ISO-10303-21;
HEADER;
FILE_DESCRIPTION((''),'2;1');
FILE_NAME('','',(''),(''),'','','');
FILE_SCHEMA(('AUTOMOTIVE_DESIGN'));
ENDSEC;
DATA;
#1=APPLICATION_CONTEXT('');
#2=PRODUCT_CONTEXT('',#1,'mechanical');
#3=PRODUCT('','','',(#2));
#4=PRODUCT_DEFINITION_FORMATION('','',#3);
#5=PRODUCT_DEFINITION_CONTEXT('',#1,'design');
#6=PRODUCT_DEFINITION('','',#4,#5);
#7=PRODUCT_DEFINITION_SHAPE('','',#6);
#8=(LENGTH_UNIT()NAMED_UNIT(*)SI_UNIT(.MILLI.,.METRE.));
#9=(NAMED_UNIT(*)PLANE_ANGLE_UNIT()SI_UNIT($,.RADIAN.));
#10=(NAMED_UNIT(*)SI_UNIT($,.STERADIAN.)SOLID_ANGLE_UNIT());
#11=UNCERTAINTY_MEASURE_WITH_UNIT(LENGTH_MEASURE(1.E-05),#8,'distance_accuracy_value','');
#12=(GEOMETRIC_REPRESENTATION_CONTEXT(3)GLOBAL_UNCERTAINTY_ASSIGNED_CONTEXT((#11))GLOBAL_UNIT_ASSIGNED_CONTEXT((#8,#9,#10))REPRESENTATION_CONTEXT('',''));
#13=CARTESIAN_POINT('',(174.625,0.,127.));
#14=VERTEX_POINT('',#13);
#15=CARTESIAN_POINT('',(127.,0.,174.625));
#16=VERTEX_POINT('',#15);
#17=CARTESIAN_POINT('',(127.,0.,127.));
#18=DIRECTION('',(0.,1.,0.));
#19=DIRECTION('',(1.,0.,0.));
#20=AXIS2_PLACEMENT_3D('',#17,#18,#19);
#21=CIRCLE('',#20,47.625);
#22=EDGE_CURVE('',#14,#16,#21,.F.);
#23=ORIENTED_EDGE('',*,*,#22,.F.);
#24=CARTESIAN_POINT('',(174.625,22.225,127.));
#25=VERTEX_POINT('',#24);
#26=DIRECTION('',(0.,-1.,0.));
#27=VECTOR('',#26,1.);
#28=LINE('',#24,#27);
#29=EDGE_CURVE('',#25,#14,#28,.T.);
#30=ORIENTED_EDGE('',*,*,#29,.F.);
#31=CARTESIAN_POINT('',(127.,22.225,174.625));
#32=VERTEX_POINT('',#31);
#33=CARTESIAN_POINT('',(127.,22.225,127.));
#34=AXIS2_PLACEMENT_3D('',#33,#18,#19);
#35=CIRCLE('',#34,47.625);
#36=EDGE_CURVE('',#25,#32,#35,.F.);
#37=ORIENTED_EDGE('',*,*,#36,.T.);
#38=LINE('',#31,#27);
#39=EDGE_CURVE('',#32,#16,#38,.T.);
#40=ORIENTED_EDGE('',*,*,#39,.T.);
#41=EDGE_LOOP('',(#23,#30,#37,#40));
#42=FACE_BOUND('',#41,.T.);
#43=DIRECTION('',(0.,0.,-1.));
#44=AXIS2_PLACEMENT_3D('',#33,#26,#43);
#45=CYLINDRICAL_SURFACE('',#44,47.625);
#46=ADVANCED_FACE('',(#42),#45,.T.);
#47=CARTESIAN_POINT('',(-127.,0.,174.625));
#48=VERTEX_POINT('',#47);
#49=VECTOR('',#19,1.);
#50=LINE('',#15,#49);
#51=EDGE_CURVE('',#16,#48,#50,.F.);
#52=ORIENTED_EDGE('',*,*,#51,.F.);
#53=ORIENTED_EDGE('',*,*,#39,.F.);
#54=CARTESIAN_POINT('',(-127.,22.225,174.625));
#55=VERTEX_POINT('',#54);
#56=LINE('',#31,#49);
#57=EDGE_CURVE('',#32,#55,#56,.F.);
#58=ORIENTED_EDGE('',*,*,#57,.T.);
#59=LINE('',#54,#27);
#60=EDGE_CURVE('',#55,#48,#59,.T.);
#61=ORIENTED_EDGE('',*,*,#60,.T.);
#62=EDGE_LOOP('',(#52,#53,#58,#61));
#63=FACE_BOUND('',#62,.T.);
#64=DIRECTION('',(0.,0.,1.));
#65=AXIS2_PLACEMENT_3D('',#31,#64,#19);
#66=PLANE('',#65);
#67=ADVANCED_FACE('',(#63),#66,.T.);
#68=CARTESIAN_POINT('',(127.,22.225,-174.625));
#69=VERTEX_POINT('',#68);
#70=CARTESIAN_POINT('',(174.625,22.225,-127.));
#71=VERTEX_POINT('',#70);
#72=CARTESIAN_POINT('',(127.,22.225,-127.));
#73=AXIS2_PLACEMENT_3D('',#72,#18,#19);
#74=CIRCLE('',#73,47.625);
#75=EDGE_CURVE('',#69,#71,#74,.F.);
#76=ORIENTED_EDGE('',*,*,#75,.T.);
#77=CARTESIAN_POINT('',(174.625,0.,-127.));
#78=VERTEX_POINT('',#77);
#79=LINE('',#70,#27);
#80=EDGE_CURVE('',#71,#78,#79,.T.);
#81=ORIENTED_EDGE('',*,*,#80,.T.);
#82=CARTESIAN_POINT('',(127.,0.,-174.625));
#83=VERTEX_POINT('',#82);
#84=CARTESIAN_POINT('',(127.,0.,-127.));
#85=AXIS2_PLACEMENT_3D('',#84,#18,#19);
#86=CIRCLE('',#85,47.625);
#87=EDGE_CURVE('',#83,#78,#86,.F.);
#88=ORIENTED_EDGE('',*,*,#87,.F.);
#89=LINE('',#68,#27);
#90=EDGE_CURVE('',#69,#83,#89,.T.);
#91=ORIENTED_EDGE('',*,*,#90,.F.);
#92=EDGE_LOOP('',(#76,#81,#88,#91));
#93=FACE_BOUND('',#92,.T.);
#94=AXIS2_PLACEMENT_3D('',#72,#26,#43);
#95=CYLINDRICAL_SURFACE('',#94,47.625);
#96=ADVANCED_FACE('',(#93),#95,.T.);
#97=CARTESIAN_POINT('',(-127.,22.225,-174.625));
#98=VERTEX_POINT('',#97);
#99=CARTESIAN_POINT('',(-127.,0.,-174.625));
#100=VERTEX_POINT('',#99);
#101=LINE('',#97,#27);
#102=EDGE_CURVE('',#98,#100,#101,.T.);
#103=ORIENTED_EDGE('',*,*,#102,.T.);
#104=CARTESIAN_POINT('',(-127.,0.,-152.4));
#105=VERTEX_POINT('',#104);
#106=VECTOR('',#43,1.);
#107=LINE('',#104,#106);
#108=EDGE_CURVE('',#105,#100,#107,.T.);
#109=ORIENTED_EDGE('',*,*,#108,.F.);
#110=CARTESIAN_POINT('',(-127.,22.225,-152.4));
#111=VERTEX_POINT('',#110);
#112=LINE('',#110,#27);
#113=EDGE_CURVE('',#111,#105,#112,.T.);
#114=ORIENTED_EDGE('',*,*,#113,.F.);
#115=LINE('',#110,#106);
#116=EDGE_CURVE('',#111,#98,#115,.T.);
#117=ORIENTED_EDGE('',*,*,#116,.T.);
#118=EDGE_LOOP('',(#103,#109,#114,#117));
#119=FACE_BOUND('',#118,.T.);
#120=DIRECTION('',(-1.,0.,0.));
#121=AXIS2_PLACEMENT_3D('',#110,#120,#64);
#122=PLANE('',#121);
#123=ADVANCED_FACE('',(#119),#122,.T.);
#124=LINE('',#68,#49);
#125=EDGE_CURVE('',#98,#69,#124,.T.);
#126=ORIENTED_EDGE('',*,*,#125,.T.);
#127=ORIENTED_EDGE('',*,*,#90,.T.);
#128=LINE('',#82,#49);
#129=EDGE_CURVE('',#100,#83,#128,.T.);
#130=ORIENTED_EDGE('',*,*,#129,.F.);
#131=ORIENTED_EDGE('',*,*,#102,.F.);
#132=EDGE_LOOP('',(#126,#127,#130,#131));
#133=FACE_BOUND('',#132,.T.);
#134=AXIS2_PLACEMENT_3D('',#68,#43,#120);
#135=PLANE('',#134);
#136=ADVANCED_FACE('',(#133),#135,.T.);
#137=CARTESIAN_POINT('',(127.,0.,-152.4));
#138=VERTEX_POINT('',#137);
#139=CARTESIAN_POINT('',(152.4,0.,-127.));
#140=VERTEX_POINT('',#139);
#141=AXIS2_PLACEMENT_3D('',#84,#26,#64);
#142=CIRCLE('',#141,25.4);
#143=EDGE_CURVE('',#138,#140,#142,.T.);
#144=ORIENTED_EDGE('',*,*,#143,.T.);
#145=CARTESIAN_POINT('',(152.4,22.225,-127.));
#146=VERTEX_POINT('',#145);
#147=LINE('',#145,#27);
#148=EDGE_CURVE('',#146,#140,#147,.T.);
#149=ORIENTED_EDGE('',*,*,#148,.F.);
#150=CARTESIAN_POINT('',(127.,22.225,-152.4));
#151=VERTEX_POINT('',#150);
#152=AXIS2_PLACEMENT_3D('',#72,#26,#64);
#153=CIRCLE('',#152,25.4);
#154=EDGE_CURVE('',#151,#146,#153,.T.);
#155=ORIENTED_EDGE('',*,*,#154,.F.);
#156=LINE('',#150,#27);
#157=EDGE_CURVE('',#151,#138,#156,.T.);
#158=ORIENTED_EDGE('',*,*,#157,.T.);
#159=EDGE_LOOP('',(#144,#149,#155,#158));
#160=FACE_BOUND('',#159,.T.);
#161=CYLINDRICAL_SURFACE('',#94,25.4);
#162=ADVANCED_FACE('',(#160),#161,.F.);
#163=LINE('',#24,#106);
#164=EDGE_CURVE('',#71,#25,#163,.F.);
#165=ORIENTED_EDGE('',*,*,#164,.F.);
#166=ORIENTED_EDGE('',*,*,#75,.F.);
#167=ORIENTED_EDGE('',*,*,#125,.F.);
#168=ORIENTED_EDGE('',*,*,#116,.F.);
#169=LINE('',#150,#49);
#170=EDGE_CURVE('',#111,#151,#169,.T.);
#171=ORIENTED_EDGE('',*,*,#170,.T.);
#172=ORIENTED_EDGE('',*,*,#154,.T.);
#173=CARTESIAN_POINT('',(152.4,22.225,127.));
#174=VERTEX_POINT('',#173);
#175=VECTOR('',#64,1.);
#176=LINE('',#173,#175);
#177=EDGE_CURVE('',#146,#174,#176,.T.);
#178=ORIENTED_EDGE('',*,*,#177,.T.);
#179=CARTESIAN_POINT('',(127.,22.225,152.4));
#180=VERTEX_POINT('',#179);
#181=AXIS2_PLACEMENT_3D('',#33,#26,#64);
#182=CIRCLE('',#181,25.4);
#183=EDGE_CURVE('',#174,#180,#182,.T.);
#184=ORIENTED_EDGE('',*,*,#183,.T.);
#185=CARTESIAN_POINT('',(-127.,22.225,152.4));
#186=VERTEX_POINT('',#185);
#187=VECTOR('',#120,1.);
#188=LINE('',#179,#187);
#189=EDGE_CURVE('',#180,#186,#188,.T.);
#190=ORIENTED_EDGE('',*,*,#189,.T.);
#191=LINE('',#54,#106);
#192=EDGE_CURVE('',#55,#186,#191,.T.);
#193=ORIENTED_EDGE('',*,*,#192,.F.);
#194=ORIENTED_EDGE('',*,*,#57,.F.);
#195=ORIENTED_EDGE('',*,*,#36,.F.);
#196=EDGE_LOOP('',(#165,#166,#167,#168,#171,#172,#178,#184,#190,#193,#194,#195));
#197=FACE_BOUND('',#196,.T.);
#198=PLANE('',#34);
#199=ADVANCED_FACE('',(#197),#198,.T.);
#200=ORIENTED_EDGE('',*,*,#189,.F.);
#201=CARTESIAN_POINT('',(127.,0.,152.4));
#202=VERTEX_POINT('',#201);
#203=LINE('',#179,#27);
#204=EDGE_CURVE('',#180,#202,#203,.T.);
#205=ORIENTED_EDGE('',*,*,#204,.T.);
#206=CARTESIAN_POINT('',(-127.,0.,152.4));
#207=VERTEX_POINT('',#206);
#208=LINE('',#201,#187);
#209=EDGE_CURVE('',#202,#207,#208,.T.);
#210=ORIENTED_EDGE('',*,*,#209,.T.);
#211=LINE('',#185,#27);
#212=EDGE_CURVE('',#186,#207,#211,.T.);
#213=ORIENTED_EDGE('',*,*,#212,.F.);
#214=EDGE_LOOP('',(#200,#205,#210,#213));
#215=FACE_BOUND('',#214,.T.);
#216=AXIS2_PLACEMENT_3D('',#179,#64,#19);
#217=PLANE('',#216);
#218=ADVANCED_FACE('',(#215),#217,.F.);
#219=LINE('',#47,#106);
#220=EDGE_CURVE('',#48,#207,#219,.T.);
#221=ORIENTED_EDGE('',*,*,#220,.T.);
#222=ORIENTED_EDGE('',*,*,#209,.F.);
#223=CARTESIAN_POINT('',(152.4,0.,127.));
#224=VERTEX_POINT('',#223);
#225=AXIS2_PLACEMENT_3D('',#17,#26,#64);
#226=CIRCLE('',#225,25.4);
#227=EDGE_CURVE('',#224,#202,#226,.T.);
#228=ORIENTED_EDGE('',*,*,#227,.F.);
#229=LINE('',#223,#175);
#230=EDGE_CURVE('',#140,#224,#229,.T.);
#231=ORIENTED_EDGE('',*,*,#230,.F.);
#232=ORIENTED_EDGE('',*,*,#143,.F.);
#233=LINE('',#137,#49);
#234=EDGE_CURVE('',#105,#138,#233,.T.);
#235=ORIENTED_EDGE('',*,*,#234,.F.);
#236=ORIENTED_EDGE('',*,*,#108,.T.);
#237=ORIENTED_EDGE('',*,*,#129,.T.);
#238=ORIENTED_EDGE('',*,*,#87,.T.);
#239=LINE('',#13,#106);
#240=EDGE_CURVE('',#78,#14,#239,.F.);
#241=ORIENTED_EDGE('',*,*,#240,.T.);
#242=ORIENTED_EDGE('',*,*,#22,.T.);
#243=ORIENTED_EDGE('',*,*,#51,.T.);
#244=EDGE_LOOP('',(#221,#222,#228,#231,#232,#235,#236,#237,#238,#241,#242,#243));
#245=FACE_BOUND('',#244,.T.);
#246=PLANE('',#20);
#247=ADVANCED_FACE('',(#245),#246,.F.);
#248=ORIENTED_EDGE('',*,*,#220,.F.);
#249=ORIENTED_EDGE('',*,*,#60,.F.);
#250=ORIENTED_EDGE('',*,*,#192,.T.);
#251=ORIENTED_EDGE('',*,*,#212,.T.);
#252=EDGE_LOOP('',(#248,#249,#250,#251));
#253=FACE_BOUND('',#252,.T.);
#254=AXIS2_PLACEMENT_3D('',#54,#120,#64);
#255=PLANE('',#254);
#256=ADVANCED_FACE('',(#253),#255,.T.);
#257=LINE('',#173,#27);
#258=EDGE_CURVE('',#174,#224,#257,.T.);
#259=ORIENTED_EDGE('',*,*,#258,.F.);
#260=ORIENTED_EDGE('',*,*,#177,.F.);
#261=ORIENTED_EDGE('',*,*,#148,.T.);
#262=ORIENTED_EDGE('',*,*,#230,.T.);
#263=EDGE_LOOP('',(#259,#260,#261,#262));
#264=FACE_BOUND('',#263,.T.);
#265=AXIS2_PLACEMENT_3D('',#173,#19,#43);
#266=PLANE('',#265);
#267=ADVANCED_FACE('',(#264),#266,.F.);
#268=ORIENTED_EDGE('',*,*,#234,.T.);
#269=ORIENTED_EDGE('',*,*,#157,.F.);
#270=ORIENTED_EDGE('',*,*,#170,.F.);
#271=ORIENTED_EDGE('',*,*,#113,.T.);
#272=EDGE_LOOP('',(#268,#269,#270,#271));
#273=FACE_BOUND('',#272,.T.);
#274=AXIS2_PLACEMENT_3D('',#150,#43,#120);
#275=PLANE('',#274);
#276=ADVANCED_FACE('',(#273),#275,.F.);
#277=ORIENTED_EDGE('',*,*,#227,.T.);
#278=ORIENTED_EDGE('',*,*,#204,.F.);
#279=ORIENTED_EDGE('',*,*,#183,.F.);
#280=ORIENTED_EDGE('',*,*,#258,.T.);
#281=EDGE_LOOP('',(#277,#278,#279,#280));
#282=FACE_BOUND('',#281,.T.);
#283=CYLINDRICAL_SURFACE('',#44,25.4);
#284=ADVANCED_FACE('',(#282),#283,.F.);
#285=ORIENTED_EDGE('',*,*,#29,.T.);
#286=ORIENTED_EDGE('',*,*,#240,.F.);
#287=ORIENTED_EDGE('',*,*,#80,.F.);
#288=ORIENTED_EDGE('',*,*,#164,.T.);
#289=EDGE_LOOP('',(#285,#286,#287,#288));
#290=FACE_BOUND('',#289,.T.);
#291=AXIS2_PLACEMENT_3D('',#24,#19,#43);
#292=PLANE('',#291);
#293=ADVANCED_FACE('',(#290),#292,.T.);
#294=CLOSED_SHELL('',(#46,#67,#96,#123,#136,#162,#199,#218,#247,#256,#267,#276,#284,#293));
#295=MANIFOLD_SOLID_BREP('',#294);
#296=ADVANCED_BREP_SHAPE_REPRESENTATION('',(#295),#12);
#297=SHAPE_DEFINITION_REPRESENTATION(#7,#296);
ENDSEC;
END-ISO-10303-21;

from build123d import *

# Parameters (mm, degrees)
EXTRUDE_THIN1_DEPTH = 22.225


with BuildPart() as part:
    # Sketch2 → Extrude-Thin1 (new body)
    with BuildSketch(Plane(origin=(0, 0, 0), x_dir=(1, 0, 0), z_dir=(0, 1, 0))):
        with BuildLine():
            Line((-127, 152.4), (127, 152.4))
            ThreePointArc((127, 152.4), (144.960512242, 144.960512242), (152.4, 127))
            Line((152.4, 127), (152.4, -127))
            ThreePointArc((152.4, -127), (144.960512242, -144.960512242), (127, -152.4))
            Line((127, -152.4), (-127, -152.4))
            Line((-127, -152.4), (-127, -174.625))
            Line((-127, -174.625), (127, -174.625))
            ThreePointArc((127, -174.625), (160.675960454, -160.675960454), (174.625, -127))
            Line((174.625, -127), (174.625, 127))
            ThreePointArc((174.625, 127), (160.675960454, 160.675960454), (127, 174.625))
            Line((127, 174.625), (-127, 174.625))
            Line((-127, 174.625), (-127, 152.4))
        make_face()
    extrude(amount=EXTRUDE_THIN1_DEPTH)


solid = part.part
